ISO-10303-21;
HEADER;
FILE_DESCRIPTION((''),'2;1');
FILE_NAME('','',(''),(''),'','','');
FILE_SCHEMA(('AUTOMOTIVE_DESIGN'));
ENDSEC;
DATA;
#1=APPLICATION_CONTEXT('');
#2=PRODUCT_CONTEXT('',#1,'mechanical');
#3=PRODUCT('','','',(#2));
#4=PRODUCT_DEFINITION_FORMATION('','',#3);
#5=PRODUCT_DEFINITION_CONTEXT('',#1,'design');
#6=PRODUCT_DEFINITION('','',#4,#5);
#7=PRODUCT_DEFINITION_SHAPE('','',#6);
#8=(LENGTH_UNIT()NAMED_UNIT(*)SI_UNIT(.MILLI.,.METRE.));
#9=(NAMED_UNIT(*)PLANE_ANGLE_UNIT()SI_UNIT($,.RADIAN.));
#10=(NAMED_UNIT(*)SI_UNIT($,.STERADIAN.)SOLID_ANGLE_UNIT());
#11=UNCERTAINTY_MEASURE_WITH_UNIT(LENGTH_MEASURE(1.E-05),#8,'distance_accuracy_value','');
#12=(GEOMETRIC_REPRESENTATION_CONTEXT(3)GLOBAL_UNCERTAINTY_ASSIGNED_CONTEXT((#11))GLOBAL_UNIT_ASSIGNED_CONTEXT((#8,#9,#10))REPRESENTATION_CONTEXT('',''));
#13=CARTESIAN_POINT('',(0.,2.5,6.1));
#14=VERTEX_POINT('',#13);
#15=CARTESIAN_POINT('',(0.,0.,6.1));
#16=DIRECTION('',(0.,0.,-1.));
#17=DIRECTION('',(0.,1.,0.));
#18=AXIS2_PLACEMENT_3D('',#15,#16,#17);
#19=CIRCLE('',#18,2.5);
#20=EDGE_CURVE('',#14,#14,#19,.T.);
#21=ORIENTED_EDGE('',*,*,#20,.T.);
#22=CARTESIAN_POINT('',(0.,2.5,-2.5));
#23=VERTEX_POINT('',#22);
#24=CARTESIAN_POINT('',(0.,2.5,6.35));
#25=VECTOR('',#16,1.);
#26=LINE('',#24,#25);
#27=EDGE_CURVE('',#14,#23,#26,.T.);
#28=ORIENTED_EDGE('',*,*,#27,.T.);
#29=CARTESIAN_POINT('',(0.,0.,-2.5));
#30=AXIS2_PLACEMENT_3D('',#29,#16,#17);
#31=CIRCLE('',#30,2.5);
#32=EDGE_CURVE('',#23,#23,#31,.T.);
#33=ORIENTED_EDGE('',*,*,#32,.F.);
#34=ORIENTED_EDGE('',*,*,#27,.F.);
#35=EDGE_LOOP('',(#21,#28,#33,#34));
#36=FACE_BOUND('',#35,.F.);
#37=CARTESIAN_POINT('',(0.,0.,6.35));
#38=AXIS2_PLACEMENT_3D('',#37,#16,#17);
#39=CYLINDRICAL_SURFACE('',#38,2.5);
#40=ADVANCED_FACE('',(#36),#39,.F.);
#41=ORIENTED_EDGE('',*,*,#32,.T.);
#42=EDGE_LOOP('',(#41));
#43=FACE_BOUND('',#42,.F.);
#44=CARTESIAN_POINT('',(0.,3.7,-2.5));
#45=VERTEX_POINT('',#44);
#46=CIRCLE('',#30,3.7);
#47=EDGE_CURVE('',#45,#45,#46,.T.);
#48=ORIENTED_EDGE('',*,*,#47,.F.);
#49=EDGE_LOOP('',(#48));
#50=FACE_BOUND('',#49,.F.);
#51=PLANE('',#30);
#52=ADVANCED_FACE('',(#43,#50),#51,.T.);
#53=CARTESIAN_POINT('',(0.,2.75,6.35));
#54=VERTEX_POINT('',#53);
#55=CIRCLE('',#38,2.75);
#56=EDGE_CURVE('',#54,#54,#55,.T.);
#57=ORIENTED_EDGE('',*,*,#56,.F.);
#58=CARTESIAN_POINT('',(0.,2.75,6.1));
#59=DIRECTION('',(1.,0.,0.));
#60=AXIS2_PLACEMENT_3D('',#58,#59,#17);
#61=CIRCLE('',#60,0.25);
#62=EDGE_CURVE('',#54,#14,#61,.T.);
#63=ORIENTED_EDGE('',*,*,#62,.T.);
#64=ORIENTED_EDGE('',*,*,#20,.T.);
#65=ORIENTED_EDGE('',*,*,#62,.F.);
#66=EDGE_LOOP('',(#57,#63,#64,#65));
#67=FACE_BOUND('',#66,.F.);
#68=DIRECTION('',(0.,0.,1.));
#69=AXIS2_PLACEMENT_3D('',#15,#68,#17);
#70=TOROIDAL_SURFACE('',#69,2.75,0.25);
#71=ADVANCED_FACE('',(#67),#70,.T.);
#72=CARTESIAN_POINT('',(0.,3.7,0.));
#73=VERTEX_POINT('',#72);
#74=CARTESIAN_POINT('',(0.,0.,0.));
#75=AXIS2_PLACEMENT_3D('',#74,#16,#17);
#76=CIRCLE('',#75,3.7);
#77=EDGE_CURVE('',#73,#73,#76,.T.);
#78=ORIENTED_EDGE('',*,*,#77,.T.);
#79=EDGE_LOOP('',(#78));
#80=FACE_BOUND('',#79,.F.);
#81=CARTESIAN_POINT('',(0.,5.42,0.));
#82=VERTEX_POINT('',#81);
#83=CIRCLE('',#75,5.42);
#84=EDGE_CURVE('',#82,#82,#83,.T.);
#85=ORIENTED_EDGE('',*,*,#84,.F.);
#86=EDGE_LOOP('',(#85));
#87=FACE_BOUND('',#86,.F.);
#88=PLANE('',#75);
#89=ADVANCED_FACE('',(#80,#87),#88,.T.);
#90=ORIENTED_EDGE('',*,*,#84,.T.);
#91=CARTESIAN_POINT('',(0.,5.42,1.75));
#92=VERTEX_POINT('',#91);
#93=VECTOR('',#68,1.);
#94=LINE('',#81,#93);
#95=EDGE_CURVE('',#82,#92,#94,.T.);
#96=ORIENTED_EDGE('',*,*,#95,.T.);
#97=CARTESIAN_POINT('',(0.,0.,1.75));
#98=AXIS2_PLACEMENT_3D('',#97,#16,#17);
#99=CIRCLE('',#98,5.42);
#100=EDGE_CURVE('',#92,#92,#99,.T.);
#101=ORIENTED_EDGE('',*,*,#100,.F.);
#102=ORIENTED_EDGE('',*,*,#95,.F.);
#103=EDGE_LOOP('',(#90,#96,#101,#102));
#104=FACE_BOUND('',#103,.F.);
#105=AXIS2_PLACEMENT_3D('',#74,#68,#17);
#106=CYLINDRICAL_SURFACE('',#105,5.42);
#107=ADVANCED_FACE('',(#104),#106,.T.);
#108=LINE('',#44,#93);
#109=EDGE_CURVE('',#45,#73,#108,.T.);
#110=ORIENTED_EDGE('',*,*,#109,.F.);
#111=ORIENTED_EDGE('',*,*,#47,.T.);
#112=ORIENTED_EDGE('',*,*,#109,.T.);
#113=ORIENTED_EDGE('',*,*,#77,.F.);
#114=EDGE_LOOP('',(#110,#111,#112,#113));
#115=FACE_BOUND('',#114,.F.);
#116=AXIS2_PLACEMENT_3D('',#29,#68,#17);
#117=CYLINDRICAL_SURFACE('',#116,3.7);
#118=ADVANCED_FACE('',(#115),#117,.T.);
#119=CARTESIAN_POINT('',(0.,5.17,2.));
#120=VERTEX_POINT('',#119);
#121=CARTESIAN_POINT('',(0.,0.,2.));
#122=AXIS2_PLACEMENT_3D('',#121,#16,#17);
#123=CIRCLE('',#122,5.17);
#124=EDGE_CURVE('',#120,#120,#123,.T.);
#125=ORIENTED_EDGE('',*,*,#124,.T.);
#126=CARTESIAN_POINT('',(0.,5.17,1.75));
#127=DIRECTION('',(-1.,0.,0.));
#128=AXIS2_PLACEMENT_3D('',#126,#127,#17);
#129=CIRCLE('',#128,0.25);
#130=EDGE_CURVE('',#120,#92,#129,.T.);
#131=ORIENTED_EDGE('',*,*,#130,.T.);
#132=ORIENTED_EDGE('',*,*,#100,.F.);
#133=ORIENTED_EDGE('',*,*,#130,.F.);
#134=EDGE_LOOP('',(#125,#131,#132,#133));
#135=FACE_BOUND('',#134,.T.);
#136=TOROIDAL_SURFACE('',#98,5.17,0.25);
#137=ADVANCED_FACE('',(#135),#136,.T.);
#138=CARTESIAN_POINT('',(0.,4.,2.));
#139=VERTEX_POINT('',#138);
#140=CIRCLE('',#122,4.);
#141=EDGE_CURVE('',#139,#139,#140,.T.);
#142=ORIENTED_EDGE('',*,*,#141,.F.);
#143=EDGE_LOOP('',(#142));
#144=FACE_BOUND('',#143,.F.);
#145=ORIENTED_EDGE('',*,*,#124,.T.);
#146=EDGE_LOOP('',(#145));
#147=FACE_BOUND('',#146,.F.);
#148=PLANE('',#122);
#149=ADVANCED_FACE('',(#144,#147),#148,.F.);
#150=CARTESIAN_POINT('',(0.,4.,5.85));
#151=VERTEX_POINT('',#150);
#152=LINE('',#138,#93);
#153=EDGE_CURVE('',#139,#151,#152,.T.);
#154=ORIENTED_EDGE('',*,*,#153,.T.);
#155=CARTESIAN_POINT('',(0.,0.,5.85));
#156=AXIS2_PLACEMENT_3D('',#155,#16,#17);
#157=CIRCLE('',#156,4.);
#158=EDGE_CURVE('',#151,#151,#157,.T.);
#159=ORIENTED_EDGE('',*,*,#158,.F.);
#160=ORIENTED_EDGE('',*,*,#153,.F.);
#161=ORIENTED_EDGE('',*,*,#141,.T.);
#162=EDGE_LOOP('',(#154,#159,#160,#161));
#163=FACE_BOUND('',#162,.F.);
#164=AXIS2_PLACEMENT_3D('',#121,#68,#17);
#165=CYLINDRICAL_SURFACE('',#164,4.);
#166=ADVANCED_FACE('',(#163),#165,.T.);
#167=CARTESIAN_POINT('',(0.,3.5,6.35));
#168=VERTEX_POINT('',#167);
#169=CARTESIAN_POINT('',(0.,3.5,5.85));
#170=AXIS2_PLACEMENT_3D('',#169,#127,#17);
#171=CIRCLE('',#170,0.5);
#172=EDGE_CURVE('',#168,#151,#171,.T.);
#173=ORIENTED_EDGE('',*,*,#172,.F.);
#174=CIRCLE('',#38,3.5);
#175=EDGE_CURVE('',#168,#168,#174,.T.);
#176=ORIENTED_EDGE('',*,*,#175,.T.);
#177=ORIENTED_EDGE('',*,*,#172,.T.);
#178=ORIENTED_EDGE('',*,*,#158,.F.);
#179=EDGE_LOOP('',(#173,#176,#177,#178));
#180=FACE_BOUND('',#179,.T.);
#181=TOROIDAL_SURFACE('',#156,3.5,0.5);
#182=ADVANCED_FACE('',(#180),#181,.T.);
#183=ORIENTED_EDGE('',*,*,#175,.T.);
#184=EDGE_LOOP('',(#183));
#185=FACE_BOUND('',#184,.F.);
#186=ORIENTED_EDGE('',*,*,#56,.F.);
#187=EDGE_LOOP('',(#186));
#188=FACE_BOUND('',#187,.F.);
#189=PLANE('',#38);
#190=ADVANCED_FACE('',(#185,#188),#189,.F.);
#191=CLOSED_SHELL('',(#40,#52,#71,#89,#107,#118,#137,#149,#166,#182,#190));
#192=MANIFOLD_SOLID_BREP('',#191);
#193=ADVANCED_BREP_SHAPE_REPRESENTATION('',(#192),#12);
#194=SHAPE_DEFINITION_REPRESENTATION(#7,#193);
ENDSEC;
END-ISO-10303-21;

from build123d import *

# Parameters (mm, degrees)
F2_R = 0.25
F3_R = 0.5
F4_R = 0.25


with BuildPart() as f1:
    # F0 (on Right) → F1 (revolve)
    with BuildSketch(Plane.YZ):
        Polygon((4, 6.35), (2.5, 6.35), (2.5, -2.5), (3.7, -2.5), (3.7, 0), (5.42, 0), (5.42, 2), (4, 2), align=None)
    revolve(axis=Axis((0, 0, -1.722812), (0, 0, -1)))

    # F2
    f2_edges = [f1.edges().sort_by_distance(p)[0] for p in [
        (0, -2.5, 6.35),
    ]]
    fillet(f2_edges, radius=F2_R)

    # F3
    f3_edges = [f1.edges().sort_by_distance(p)[0] for p in [
        (0, -4, 6.35),
    ]]
    fillet(f3_edges, radius=F3_R)

    # F4
    f4_edges = [f1.edges().sort_by_distance(p)[0] for p in [
        (0, -5.42, 2),
    ]]
    fillet(f4_edges, radius=F4_R)


solid = f1.part
